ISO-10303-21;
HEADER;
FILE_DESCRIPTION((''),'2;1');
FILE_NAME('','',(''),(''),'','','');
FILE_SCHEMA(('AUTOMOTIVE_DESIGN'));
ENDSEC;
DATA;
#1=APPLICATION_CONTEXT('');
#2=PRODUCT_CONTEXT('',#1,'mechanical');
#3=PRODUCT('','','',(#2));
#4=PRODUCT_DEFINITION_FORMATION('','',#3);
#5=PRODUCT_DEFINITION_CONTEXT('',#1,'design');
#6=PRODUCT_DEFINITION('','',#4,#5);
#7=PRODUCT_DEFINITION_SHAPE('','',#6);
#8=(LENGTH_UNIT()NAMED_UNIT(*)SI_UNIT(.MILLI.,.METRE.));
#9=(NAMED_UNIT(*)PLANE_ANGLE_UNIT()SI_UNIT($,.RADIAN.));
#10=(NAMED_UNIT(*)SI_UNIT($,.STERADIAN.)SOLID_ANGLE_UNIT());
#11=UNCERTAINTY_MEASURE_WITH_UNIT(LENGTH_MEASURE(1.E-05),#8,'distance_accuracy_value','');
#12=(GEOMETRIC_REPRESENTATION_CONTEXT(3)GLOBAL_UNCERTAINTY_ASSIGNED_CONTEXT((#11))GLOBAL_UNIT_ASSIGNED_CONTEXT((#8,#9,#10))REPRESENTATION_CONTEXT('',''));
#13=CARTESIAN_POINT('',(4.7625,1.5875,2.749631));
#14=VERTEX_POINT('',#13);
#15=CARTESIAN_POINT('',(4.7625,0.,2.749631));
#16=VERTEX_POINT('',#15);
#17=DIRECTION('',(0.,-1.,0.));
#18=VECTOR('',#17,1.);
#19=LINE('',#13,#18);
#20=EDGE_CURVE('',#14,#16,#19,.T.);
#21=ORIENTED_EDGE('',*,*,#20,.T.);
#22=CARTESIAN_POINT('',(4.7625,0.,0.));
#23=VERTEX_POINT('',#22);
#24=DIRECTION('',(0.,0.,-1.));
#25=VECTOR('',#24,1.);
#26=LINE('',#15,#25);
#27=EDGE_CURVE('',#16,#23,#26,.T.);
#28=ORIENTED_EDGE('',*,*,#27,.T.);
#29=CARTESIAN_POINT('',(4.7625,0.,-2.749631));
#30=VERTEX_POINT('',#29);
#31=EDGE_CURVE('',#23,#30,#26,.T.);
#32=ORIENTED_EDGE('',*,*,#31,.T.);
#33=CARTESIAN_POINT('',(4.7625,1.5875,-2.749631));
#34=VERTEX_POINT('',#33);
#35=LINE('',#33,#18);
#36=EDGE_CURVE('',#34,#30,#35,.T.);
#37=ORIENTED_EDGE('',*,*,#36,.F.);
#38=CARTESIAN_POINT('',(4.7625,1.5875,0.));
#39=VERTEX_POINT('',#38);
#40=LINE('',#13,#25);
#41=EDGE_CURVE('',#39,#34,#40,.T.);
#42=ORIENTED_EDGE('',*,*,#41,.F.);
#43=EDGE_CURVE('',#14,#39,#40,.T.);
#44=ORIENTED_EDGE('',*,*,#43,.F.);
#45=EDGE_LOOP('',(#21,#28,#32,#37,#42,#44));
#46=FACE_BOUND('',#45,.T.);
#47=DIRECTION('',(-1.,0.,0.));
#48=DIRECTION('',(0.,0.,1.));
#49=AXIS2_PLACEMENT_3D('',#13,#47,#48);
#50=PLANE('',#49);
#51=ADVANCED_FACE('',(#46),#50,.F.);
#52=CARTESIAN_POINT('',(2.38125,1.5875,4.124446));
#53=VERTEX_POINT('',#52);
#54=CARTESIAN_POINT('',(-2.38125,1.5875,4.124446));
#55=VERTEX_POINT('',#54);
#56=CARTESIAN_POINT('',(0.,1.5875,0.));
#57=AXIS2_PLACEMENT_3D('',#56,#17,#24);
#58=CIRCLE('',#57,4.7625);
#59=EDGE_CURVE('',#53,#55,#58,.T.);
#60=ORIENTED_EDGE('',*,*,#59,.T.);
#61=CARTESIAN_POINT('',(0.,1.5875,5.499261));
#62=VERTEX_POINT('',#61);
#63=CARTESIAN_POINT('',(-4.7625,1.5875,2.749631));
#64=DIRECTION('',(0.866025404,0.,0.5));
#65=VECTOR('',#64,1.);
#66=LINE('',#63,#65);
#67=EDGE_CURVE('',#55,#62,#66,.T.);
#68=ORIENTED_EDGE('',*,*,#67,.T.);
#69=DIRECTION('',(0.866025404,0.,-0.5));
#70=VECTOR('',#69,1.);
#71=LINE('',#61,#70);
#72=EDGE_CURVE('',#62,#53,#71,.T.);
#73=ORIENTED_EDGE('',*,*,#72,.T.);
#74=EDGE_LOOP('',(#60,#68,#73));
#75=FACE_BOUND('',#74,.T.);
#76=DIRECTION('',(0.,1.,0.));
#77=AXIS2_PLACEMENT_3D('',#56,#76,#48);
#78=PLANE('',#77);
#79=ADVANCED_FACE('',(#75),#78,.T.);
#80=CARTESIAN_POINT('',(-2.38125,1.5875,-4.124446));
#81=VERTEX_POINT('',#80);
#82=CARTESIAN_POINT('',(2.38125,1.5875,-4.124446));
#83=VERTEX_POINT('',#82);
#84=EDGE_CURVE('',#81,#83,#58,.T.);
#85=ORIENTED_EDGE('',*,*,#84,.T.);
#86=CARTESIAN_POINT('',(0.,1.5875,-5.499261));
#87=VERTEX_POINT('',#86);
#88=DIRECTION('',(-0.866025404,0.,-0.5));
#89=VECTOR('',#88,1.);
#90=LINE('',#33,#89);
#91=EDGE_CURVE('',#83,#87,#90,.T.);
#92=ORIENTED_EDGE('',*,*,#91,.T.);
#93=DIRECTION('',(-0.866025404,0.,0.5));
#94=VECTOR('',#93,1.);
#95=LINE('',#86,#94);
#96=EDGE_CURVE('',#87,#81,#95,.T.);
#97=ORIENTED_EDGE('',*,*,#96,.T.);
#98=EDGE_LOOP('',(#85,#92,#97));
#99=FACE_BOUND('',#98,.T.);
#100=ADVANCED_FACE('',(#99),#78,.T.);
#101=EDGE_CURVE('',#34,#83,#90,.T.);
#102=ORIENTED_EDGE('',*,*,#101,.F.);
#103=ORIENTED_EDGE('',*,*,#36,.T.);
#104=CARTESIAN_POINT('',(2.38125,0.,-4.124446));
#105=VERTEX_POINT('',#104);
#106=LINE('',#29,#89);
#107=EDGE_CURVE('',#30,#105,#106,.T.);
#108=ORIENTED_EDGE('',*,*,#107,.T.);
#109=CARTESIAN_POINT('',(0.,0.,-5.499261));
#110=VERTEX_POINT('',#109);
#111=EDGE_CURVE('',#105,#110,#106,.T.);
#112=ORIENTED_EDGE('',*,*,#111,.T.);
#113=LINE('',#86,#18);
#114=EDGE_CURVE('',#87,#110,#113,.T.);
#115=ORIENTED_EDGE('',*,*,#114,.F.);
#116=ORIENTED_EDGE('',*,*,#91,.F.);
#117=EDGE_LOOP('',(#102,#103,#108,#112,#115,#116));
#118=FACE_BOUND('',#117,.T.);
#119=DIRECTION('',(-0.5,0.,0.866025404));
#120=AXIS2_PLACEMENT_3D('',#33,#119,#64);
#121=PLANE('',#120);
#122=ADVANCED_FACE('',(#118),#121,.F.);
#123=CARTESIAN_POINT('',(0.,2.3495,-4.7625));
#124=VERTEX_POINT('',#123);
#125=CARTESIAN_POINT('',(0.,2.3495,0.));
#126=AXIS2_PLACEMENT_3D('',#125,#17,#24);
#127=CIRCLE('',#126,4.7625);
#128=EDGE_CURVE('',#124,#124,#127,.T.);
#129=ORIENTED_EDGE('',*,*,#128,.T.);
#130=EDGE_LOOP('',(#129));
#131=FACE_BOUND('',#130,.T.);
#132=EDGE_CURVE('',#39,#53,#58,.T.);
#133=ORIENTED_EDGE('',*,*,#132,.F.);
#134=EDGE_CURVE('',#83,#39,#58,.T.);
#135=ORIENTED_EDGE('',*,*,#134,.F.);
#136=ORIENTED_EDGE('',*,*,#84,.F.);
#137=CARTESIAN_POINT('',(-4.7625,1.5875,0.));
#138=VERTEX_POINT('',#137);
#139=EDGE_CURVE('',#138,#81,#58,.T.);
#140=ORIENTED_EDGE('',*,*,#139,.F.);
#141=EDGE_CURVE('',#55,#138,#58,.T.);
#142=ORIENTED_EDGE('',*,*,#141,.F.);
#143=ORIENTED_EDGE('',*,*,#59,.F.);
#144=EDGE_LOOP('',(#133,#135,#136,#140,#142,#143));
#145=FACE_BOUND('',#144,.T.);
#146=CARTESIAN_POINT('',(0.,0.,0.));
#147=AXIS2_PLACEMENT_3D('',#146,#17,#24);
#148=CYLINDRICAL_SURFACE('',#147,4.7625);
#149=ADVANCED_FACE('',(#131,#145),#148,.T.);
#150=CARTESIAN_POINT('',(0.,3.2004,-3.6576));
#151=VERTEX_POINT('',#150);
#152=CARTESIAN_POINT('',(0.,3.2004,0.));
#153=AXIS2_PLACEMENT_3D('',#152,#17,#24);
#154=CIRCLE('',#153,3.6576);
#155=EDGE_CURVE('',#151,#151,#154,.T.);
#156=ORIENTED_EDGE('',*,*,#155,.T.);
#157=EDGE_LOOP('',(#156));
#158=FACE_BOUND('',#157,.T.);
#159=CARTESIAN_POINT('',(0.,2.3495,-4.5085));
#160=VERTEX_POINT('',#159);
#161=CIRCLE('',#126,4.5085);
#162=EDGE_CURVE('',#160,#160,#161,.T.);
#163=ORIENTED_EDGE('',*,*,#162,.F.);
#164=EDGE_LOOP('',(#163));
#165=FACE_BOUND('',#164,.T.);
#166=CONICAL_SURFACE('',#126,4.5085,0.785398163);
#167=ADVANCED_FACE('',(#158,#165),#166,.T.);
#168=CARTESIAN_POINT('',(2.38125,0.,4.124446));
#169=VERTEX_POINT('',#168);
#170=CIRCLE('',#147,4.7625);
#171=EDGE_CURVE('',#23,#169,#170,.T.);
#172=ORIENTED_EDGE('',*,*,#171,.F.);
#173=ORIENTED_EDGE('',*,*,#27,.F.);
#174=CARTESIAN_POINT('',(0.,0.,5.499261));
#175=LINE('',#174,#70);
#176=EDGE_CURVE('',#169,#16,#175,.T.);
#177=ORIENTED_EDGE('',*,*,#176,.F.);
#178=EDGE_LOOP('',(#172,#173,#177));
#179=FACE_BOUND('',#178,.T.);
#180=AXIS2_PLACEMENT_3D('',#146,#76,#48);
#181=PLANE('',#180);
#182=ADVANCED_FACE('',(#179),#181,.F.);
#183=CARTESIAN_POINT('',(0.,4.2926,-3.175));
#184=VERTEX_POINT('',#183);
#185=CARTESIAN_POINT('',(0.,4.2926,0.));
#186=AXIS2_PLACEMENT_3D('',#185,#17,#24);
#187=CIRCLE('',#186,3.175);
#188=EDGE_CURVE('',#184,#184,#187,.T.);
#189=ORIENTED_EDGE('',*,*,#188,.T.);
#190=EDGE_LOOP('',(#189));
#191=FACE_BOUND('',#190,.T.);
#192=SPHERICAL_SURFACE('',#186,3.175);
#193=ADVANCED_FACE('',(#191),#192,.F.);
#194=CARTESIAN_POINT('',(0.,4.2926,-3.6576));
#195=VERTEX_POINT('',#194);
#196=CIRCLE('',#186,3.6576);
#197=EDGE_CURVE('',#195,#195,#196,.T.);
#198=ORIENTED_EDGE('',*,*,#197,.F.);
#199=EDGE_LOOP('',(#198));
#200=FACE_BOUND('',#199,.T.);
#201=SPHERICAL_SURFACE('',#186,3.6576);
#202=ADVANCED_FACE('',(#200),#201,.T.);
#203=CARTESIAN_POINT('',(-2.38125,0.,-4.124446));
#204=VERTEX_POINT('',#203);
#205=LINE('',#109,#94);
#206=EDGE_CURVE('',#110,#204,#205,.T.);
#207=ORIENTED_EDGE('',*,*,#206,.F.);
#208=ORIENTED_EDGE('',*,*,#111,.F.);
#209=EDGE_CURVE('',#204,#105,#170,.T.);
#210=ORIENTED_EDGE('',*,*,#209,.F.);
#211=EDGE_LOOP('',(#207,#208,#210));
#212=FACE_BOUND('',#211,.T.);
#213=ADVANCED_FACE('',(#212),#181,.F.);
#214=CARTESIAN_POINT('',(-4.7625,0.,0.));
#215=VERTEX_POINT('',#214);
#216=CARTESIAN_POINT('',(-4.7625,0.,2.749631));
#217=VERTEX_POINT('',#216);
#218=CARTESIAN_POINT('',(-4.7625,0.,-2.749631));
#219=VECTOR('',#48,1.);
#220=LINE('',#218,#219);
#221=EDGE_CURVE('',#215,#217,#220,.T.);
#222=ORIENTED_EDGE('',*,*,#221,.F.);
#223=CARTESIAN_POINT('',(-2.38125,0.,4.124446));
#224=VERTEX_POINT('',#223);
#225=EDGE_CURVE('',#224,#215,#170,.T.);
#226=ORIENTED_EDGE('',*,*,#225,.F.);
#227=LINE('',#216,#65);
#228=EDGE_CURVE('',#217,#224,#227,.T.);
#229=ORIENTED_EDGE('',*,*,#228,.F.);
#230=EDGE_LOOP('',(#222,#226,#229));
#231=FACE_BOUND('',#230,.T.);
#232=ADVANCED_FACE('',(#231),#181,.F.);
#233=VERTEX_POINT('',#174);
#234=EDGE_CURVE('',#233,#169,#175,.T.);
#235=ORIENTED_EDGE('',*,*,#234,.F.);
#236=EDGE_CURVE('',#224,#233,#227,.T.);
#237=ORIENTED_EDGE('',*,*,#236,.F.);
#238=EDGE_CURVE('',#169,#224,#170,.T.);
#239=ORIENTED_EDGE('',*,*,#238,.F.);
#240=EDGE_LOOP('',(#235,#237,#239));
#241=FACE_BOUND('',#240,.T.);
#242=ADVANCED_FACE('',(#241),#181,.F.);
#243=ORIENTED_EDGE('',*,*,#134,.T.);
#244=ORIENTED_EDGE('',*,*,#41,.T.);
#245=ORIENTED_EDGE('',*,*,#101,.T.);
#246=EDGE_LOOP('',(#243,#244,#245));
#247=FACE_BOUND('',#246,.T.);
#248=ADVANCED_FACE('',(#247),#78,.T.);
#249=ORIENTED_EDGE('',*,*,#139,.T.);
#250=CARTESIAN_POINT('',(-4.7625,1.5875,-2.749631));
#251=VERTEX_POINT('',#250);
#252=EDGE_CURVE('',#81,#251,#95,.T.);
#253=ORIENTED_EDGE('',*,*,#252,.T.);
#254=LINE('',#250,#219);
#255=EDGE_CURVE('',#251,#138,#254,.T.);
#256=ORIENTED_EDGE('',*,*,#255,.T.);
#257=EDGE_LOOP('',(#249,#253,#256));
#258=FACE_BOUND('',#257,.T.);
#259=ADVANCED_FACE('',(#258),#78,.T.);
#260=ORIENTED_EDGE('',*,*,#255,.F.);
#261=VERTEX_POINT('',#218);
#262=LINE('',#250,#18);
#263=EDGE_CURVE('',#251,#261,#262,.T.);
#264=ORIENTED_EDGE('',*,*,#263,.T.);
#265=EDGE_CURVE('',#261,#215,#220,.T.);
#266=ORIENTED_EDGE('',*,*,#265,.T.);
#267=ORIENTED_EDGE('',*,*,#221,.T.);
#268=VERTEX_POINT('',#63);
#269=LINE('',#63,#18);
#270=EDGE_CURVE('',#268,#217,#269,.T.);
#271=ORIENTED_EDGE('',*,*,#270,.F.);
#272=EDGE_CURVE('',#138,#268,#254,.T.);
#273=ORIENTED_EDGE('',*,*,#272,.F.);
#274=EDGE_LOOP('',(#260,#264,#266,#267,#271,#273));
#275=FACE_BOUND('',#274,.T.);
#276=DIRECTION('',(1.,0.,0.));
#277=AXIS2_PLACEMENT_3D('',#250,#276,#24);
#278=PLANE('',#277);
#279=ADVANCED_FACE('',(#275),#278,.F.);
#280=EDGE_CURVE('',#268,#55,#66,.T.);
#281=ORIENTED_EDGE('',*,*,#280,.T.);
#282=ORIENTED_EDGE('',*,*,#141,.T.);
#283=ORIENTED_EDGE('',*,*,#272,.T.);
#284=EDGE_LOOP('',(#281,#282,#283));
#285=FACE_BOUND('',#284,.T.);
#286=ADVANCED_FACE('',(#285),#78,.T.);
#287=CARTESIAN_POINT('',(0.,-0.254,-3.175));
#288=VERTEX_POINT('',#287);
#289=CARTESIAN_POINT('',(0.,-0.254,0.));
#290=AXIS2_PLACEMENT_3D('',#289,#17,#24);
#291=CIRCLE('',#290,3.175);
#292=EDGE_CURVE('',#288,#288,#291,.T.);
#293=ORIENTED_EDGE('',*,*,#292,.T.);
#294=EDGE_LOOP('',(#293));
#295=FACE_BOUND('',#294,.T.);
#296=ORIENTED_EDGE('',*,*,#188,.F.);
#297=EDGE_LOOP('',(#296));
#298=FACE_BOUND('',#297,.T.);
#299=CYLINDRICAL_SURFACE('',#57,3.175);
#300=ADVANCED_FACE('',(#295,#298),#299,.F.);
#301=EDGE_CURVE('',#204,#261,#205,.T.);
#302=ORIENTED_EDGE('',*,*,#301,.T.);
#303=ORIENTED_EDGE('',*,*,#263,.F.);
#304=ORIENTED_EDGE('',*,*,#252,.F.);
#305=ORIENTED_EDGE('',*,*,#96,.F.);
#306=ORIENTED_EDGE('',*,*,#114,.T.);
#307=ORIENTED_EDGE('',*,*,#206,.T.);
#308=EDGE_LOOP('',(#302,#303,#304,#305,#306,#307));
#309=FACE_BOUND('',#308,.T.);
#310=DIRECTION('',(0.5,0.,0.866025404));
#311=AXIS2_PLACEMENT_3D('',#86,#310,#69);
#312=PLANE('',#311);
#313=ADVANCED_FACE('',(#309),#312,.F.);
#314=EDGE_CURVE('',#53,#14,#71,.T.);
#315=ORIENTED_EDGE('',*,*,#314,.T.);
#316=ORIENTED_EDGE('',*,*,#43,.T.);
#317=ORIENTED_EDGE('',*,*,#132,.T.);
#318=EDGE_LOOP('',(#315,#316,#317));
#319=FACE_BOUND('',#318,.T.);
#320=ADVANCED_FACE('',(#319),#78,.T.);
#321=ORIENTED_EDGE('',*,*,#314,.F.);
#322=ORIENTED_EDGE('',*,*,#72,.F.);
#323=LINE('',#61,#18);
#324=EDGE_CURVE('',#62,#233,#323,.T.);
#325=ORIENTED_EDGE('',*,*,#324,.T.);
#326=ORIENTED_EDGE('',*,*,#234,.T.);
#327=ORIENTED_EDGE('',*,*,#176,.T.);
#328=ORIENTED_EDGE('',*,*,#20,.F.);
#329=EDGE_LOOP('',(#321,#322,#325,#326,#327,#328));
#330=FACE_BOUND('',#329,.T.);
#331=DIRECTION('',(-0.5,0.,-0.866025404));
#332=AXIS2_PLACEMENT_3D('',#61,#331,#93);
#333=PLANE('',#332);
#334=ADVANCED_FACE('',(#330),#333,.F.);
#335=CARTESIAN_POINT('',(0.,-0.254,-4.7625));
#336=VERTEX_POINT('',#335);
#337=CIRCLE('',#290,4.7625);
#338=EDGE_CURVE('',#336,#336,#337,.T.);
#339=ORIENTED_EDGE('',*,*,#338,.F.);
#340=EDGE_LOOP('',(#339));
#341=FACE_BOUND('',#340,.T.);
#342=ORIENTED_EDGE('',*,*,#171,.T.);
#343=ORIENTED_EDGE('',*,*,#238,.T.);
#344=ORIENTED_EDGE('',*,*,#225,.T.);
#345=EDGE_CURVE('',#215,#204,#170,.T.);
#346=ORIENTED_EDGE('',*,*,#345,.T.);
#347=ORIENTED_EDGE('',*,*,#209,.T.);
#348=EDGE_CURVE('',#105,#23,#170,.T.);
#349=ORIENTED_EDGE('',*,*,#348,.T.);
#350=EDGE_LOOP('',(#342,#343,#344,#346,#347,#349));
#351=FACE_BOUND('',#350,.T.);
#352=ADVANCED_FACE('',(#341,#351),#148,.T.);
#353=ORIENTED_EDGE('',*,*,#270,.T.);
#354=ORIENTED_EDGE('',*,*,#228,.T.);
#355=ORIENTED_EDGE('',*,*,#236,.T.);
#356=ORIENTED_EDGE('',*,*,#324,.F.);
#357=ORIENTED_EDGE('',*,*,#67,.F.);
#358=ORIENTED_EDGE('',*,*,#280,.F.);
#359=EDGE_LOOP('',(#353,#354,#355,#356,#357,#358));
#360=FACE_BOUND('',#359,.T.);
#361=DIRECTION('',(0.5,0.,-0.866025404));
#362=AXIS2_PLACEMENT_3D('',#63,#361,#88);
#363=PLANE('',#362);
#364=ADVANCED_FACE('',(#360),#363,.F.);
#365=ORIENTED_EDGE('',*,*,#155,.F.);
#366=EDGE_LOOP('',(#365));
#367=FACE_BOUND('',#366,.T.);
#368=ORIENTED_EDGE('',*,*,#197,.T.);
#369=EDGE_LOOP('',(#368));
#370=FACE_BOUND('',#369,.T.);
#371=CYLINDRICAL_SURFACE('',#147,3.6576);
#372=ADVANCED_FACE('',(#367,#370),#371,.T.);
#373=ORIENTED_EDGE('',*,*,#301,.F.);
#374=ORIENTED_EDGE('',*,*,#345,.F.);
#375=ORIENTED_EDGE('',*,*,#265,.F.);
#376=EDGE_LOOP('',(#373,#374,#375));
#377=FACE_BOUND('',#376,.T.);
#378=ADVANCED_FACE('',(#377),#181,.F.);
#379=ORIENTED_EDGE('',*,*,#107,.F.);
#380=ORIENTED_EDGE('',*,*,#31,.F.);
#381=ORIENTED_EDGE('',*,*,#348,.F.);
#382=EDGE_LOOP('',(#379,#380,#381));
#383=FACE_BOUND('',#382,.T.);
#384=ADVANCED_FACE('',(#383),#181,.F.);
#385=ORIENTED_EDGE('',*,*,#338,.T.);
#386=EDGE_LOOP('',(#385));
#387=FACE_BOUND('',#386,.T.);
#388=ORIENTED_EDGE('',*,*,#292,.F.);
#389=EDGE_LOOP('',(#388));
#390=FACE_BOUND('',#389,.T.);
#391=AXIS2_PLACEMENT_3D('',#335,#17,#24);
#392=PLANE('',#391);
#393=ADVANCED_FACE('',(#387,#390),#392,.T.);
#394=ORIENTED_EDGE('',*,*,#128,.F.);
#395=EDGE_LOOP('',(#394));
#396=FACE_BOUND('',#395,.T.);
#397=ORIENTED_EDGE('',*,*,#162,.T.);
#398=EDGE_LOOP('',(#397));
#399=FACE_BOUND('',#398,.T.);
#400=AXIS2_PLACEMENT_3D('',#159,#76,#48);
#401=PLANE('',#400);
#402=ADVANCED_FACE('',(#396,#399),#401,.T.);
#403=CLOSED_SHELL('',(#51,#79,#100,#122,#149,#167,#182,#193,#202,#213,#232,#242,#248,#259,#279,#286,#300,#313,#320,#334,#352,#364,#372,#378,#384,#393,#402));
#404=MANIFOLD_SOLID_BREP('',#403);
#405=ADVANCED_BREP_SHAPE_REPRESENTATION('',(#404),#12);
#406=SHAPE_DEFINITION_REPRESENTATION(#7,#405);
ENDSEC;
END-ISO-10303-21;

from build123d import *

# Parameters (mm, degrees)
SKETCH1_R           = 3.175
BOSS_EXTRUDE1_DEPTH = 1.5875
SKETCH2_W           = 1.5875
SKETCH2_H           = 0.254


with BuildPart() as part:
    # Sketch1 → Boss-Extrude1 (new body)
    with BuildSketch(Plane(origin=(0, 0, 0), x_dir=(1, 0, 0), z_dir=(0, 1, 0))):
        Polygon((4.7625, 2.749630657), (0, 5.499261314), (-4.7625, 2.749630657), (-4.7625, -2.749630657), (0, -5.499261314), (4.7625, -2.749630657), align=None)
        Circle(SKETCH1_R, mode=Mode.SUBTRACT)
    extrude(amount=BOSS_EXTRUDE1_DEPTH)

    # Sketch2 → Revolve1 (revolve)
    with BuildSketch(Plane(origin=(0, 0, 0), x_dir=(0, 0, -1), z_dir=(1, 0, 0))):
        with BuildLine():
            Line((3.6576, 3.2004), (3.6576, 4.2926))
            ThreePointArc((3.6576, 4.2926), (2.586313763, 6.878913763), (0, 7.9502))
            Line((0, 7.9502), (0, 7.4676))
            ThreePointArc((0, 7.4676), (2.24506403, 6.53766403), (3.175, 4.2926))
            Line((3.175, 4.2926), (3.175, 1.5875))
            Line((3.175, 1.5875), (4.7625, 1.5875))
            Line((4.7625, 1.5875), (4.7625, 2.3495))
            Line((4.7625, 2.3495), (4.5085, 2.3495))
            Line((4.5085, 2.3495), (3.6576, 3.2004))
        make_face()
        with Locations((3.96875, -0.127)):
            Rectangle(SKETCH2_W, SKETCH2_H)
    revolve(axis=Axis((0, 0, 0), (0, 1, 0)))


solid = part.part
